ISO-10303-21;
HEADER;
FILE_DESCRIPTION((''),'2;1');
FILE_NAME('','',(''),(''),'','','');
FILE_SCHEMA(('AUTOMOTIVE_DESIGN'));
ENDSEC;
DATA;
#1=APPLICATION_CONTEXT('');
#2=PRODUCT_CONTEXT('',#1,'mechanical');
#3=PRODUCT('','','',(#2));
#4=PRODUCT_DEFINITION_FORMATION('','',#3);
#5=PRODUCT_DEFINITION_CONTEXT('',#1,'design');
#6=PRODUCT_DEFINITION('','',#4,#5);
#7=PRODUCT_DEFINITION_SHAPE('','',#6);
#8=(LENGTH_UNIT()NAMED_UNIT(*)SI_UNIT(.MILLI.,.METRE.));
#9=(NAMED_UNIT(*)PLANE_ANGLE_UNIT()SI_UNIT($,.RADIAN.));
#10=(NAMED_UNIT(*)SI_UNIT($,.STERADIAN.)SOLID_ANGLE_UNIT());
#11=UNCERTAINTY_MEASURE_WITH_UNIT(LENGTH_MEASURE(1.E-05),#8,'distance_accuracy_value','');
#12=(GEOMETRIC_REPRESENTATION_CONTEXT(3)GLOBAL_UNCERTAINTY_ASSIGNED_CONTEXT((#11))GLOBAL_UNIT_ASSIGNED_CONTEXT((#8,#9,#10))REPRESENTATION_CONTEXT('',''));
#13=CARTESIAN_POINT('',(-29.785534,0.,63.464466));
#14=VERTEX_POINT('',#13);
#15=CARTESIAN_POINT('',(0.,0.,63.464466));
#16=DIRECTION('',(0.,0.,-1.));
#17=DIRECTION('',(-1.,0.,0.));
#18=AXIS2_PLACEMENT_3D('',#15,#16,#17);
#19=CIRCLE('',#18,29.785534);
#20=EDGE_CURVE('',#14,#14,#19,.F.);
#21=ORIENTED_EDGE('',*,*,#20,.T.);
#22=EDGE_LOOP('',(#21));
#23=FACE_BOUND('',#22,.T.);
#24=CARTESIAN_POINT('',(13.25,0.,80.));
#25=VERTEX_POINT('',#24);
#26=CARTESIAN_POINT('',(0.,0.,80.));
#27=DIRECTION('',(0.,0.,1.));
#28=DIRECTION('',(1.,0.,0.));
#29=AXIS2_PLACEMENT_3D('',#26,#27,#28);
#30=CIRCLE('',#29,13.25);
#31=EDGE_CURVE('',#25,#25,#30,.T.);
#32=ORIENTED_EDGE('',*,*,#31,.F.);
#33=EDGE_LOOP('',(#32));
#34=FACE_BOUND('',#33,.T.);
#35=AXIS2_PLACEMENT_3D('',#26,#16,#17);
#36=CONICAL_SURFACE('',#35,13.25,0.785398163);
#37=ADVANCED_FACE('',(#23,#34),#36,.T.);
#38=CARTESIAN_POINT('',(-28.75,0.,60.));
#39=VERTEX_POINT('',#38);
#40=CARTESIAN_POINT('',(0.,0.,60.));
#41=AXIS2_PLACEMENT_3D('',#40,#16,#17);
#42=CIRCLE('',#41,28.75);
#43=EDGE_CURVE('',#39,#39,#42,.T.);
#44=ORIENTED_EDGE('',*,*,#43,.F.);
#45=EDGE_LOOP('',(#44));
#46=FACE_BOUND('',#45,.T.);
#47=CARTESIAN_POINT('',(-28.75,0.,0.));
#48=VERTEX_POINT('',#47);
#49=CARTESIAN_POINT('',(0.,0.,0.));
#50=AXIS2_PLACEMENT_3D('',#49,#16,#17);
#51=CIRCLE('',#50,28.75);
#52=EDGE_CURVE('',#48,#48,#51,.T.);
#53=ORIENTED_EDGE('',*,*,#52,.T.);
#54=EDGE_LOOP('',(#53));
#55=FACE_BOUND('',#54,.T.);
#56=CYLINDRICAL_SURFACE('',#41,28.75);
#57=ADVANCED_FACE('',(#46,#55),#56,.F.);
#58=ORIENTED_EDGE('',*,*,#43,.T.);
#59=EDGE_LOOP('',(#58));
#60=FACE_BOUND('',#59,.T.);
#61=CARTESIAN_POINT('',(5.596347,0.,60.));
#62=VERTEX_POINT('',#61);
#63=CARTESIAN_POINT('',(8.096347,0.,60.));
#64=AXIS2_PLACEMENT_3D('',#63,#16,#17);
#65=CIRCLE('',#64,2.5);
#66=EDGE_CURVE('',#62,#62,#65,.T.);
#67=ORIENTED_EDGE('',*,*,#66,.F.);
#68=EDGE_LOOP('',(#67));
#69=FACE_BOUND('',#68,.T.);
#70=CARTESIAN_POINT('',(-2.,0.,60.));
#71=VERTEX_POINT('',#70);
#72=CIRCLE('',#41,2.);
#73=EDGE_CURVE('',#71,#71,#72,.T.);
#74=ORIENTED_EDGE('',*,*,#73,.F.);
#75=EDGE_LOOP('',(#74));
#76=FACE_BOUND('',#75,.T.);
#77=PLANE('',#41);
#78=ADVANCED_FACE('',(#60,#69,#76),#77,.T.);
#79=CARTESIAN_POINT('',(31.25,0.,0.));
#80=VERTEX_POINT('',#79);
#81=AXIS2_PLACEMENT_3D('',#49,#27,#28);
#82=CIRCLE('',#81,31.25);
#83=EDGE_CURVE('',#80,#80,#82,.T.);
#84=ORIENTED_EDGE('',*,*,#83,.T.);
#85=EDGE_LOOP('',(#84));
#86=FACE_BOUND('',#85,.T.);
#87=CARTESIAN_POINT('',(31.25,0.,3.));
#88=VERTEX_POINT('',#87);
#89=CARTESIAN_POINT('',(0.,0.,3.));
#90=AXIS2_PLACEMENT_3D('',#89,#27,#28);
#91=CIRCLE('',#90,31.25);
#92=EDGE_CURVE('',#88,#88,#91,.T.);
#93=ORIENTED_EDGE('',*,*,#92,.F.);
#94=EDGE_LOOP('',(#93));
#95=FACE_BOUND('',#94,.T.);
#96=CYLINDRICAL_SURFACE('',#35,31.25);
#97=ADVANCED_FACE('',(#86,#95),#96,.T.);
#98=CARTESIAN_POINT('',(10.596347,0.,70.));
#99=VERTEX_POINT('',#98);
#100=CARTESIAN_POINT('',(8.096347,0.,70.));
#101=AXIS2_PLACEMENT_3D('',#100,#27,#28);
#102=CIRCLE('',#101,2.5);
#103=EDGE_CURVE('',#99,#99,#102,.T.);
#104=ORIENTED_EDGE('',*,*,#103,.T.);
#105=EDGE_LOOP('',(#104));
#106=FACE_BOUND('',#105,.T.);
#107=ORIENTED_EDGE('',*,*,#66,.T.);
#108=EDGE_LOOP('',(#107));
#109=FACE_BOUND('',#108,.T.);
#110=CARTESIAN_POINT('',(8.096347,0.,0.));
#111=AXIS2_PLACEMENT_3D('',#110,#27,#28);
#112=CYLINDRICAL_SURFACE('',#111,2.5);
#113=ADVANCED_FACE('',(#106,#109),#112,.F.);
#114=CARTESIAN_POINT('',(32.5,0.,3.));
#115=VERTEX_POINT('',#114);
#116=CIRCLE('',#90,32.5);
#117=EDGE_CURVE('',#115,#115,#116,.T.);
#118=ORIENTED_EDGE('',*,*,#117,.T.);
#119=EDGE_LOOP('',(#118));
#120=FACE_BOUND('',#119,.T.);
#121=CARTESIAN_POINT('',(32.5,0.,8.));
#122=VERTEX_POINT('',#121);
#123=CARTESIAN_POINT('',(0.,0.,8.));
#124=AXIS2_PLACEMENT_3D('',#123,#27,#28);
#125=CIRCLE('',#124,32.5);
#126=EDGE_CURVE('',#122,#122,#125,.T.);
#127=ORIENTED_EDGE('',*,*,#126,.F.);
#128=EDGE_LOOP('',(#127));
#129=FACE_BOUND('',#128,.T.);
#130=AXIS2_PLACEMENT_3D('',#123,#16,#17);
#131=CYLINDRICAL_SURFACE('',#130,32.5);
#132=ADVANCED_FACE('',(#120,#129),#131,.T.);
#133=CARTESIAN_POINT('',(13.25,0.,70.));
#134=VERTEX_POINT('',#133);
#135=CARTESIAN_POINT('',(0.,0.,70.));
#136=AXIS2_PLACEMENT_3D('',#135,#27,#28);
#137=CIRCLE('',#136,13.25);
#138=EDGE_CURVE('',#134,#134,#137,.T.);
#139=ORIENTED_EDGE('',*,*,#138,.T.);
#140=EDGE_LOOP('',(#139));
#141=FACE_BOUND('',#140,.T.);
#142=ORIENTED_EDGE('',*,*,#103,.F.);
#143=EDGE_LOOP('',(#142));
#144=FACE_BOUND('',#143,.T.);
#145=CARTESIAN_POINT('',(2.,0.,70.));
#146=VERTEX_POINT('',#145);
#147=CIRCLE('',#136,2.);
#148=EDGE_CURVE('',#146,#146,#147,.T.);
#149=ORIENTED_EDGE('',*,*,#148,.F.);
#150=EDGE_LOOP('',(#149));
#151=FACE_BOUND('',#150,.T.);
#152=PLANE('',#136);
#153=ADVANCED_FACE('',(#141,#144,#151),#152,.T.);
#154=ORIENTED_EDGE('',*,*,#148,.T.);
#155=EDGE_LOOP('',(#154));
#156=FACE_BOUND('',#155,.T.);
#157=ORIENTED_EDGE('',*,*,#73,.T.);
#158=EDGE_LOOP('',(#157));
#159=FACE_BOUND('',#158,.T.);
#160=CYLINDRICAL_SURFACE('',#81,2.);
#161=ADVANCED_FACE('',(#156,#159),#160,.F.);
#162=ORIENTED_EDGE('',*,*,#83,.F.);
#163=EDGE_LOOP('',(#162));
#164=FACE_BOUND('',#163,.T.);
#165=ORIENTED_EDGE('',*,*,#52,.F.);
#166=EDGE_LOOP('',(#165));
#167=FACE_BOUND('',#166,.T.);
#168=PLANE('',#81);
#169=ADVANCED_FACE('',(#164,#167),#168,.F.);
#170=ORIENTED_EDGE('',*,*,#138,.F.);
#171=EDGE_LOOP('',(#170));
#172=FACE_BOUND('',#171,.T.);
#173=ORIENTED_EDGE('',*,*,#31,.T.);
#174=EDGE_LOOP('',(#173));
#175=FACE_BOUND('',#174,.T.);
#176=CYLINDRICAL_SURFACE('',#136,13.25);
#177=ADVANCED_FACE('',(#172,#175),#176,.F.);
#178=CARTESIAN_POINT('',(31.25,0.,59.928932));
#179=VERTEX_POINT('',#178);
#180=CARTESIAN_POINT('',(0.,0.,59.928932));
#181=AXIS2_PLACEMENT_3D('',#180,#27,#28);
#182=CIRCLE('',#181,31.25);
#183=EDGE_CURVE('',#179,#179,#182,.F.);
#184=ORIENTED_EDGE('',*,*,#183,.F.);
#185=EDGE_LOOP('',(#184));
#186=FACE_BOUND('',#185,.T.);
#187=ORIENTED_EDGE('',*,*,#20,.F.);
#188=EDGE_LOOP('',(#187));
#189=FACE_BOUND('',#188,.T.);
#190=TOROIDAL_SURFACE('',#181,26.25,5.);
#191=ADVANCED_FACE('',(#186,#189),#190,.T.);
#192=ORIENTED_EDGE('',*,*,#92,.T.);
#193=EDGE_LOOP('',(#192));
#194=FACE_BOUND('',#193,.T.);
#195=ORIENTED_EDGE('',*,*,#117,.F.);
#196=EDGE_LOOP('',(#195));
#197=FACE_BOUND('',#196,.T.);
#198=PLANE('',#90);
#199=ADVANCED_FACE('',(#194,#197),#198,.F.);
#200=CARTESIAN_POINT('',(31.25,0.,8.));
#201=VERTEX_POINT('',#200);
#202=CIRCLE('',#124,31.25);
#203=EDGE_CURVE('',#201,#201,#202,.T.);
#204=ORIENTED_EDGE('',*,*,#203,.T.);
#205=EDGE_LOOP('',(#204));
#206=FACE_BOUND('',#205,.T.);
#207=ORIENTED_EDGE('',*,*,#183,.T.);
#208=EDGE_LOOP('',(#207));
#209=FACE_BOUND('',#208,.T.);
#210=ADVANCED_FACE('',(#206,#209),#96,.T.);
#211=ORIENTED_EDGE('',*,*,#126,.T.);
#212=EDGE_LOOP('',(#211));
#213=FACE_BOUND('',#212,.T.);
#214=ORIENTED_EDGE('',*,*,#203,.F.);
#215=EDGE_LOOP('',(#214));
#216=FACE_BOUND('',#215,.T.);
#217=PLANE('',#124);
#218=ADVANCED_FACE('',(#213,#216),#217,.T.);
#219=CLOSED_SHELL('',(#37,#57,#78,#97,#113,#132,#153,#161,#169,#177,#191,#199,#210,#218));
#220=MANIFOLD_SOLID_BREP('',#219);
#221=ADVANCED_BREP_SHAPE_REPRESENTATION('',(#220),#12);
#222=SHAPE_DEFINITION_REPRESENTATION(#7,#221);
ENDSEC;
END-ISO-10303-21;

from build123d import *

# Parameters (mm, degrees)
SKETCH1_R           = 31.25
BOSS_EXTRUDE1_DEPTH = 80
SKETCH2_R           = 32.5
BOSS_EXTRUDE2_DEPTH = 5
CHAMFER1_SIZE       = 18
FILLET2_R           = 5
SKETCH6_R           = 13.25
CUT_EXTRUDE3_DEPTH  = 10
SKETCH7_R           = 28.75
CUT_EXTRUDE4_DEPTH  = 60
SKETCH8_R           = 2
SKETCH8_R_2         = 2.5
CUT_EXTRUDE5_DEPTH  = 84.740671122


with BuildPart() as part:
    # Sketch1 → Boss-Extrude1 (new body)
    with BuildSketch(Plane.XY):
        Circle(SKETCH1_R)
    extrude(amount=BOSS_EXTRUDE1_DEPTH)

    # Sketch2 → Boss-Extrude2 (add)
    with BuildSketch(Plane.XY.offset(3)):
        Circle(SKETCH2_R)
    extrude(amount=BOSS_EXTRUDE2_DEPTH)

    # Chamfer1
    chamfer1_edges = [part.edges().sort_by_distance(p)[0] for p in [
        (-31.25, 0, 80),
    ]]
    chamfer(chamfer1_edges, length=CHAMFER1_SIZE)

    # Fillet2
    fillet2_edges = [part.edges().sort_by_distance(p)[0] for p in [
        (-31.25, 0, 62),
    ]]
    fillet(fillet2_edges, radius=FILLET2_R)

    # Sketch6 → Cut-Extrude3 (cut)
    with BuildSketch(Plane.XY.offset(80)):
        Circle(SKETCH6_R)
    extrude(amount=-CUT_EXTRUDE3_DEPTH, mode=Mode.SUBTRACT)

    # Sketch7 → Cut-Extrude4 (cut)
    with BuildSketch(Plane(origin=(0, 0, 0), x_dir=(-1, 0, 0), z_dir=(0, 0, -1))):
        Circle(SKETCH7_R)
    extrude(amount=-CUT_EXTRUDE4_DEPTH, mode=Mode.SUBTRACT)

    # Sketch8 → Cut-Extrude5 (cut, through all)
    with BuildSketch(Plane.XY.offset(70)):
        Circle(SKETCH8_R)
        with Locations((8.096346775, 0)):
            Circle(SKETCH8_R_2)
    extrude(amount=-CUT_EXTRUDE5_DEPTH, mode=Mode.SUBTRACT)


solid = part.part
